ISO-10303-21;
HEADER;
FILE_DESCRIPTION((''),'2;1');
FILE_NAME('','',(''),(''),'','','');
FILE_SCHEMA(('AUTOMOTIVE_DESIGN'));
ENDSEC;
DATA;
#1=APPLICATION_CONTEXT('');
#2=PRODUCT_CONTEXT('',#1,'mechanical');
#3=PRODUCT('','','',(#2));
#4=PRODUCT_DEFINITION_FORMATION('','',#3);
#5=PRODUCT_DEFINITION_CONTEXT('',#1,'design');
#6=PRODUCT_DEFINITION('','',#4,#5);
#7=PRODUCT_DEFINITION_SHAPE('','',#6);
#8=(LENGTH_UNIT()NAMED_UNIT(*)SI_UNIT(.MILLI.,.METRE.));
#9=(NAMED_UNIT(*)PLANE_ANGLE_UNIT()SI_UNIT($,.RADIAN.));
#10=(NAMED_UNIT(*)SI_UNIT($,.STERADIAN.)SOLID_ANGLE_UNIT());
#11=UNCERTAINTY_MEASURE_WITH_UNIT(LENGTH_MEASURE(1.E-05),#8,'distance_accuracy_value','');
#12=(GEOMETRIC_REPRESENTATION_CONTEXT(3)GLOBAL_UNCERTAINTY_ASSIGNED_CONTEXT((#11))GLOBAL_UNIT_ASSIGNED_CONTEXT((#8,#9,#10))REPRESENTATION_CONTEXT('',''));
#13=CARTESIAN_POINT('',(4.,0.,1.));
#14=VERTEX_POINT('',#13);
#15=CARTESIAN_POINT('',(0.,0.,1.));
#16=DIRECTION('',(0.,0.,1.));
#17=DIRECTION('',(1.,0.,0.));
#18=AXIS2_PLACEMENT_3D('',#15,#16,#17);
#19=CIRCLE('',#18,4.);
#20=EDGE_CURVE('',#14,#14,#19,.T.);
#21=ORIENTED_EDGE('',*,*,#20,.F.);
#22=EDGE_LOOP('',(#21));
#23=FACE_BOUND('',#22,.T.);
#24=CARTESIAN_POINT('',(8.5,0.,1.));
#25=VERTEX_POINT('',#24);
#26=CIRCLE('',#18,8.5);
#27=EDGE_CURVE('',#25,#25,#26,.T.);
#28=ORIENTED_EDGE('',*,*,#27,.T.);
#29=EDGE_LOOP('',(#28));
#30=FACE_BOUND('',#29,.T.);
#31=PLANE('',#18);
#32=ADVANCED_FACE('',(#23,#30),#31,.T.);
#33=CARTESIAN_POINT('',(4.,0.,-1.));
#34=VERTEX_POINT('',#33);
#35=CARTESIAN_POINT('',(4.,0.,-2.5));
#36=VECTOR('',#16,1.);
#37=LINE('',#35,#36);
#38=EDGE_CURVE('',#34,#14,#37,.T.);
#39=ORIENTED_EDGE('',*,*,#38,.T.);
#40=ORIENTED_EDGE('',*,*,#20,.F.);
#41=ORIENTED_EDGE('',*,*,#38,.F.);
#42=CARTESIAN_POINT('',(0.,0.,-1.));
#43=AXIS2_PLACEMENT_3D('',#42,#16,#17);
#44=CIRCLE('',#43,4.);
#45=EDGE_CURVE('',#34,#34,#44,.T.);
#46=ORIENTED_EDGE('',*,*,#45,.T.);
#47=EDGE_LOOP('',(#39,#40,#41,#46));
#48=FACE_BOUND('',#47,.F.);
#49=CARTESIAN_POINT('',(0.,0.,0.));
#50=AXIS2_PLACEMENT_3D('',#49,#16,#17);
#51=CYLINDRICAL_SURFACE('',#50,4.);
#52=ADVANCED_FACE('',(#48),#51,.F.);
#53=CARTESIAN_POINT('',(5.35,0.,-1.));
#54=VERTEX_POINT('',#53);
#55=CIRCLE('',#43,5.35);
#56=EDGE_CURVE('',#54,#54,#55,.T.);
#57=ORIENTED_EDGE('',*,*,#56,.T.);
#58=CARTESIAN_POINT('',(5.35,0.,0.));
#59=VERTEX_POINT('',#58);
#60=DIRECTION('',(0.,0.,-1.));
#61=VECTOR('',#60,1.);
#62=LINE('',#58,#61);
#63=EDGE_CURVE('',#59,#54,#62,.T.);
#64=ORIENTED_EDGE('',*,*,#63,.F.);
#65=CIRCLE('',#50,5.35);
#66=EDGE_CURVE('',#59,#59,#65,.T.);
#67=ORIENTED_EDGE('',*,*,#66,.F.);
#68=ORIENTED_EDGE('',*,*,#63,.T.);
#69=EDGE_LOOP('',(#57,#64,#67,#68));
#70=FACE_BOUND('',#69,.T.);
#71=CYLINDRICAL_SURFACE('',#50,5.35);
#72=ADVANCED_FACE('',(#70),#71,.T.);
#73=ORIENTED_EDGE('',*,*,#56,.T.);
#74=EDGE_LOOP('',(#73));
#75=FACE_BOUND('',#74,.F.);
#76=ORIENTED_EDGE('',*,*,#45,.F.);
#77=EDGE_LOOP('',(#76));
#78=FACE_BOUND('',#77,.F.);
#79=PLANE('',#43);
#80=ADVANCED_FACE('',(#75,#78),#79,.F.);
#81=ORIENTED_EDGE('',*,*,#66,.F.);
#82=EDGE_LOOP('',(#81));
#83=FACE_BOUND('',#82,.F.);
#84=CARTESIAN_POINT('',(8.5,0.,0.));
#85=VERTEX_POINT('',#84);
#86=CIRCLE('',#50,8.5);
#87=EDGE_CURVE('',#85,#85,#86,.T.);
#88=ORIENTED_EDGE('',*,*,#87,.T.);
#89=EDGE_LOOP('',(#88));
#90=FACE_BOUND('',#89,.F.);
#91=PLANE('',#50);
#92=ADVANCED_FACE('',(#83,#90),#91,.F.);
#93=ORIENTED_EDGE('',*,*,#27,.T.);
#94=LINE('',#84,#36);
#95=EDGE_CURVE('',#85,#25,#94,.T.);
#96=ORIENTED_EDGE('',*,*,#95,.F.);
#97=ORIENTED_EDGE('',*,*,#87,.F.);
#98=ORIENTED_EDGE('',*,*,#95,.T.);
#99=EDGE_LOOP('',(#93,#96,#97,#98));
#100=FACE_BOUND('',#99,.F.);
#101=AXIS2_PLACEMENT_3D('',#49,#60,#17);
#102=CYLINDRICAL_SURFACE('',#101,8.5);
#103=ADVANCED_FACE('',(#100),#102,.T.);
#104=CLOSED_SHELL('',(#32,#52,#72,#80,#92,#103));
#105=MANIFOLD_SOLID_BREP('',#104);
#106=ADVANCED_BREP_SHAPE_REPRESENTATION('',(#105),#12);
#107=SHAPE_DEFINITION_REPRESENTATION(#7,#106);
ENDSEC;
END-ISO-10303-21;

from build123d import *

# Parameters (mm, degrees)
SKETCH_R     = 8.5
PAD_DEPTH    = 1
SKETCH001_R  = 5.35
PAD001_DEPTH = 1
SKETCH002_R  = 4
POCKET_DEPTH = 2.5


with BuildPart() as part:
    # Sketch → Pad (new body)
    with BuildSketch(Plane.XY):
        Circle(SKETCH_R)
    extrude(amount=PAD_DEPTH)

    # Sketch001 → Pad001 (join)
    with BuildSketch(Plane.XY):
        Circle(SKETCH001_R)
    extrude(amount=-PAD001_DEPTH)

    # Sketch002 → Pocket (cut, symmetric)
    with BuildSketch(Plane.XY):
        Circle(SKETCH002_R)
    extrude(amount=POCKET_DEPTH, both=True, mode=Mode.SUBTRACT)


solid = part.part
